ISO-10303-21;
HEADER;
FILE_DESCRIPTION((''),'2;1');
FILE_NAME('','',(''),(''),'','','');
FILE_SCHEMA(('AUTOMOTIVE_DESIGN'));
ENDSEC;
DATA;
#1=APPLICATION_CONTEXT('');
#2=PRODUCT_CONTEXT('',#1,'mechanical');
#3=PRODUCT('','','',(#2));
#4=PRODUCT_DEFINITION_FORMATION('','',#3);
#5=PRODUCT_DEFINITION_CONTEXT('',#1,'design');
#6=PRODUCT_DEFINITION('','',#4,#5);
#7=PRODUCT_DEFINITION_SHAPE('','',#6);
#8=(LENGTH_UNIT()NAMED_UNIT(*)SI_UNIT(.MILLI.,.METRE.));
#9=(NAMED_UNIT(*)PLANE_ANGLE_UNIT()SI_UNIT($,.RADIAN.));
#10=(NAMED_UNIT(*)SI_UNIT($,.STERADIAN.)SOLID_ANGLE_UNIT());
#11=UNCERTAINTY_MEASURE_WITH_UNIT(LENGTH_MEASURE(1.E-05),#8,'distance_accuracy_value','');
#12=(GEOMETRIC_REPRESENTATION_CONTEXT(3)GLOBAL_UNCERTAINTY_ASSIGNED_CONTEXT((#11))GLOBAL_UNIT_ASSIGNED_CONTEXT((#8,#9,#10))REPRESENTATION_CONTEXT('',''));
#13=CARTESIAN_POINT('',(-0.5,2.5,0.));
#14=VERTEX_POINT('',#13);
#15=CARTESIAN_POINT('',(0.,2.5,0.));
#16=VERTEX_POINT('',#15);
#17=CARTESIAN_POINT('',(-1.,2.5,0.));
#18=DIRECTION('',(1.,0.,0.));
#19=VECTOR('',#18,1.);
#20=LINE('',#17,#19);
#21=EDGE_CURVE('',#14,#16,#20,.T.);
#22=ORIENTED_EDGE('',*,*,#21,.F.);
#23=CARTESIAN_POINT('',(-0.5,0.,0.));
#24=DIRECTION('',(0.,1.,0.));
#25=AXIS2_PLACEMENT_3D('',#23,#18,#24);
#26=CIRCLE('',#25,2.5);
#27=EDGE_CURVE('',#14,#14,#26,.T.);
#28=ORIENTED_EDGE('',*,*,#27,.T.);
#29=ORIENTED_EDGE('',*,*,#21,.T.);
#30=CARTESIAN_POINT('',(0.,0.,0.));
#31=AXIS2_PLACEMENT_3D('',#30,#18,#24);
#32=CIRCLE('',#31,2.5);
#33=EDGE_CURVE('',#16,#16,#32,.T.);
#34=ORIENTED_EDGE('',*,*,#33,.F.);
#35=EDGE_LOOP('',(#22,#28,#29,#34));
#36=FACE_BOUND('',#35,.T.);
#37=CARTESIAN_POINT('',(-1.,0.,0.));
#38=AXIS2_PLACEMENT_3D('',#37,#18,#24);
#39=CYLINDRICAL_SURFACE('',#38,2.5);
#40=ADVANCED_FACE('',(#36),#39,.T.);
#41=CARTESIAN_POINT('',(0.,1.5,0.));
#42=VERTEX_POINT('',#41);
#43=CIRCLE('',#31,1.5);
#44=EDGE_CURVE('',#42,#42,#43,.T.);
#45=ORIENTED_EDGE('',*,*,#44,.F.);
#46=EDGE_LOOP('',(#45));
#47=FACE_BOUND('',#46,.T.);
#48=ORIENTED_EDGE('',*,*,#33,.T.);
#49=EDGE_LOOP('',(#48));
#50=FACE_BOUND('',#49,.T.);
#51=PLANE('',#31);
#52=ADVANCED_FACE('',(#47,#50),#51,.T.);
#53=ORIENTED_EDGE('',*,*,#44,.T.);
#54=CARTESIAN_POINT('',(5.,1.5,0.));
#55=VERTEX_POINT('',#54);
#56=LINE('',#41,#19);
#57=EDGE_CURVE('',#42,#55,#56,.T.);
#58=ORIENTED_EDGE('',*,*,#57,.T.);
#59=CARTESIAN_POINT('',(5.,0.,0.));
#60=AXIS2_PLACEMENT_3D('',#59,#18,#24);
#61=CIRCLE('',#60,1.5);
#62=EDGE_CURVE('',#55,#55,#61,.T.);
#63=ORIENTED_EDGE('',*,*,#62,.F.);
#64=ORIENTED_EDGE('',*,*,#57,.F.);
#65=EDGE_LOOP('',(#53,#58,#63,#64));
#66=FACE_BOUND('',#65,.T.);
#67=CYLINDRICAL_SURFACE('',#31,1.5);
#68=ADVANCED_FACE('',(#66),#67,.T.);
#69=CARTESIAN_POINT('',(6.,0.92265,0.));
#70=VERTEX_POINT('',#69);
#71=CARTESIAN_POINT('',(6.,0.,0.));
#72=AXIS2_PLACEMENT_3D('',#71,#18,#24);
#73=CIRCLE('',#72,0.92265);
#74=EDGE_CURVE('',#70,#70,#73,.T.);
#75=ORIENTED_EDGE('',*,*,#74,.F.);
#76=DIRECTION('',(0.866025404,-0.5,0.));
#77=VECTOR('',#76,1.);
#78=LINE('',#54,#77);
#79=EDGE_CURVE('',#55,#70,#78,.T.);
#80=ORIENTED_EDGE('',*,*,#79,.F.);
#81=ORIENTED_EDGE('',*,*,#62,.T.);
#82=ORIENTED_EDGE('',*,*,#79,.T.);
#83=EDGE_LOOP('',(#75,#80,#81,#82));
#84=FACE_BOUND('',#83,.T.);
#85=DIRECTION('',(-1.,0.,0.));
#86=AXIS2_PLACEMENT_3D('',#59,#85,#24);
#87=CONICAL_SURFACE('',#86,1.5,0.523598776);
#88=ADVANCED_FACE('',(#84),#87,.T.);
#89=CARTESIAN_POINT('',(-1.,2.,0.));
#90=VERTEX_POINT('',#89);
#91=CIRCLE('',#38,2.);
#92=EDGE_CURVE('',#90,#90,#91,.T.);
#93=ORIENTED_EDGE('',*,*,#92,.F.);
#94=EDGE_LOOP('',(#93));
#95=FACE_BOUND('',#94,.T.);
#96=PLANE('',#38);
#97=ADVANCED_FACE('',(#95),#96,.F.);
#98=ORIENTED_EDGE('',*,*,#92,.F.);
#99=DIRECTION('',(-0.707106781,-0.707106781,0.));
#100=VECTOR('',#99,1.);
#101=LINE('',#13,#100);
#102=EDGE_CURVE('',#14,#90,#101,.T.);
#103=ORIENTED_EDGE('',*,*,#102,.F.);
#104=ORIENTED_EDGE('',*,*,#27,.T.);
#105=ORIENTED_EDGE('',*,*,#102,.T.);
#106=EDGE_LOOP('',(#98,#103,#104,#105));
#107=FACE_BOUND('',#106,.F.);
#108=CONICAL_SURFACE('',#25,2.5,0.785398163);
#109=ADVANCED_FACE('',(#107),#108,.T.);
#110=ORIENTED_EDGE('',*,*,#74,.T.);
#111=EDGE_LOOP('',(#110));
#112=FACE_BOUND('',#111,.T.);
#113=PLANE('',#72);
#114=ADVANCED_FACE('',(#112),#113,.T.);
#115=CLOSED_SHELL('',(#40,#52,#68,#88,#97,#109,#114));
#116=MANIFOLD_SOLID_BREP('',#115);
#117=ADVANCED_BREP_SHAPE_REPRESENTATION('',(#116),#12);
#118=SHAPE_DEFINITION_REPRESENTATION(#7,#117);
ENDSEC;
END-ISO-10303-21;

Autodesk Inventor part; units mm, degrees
ref_plane "YZ Plane" through (0, 0, 0) normal (1, 0, 0) x (0, 1, 0)
ref_plane "XZ Plane" through (0, 0, 0) normal (0, 1, 0) x (-1, 0, 0)
ref_plane "XY Plane" through (0, 0, 0) normal (0, 0, 1) x (1, 0, 0)
sketch "Skizze1" plane through (0, 0, 0) normal (0, 0, 1) x (1, 0, 0)
  line L0 (-1, 0) -> (-1, 2.5)
  line L1 (-1, 2.5) -> (0, 2.5)
  line L2 (0, 2.5) -> (0, 1.5)
  line L3 (0, 1.5) -> (6, 1.5)
  line L4 (6, 1.5) -> (6, 0)
  line L5 (-1, 0) -> (6, 0)
  line L6 (-4, 0) -> (17, 0) projected
  line L7 (0, -0.5) -> (0, 3) projected
  dimension "d0" = 1
  dimension "d1" = 6
  dimension "d2" = 3
  dimension "d3" = 5
revolve "Körper" add sketch "Skizze1" angle 360 about axis through (-1, 0, 0) along (1, 0, 0)
chamfer "Fase1" distance 1 angle 30 1 edges at (6, -1.5, 0) measured on face at (2, 1.4806, -0.2406)
chamfer "Fase2" distance 0.5 angle 45 1 edges at (-1, -2.5, 0) measured on face at (-0.6667, 2.4919, -0.2012)
equation "\"d0\" = KOH"
equation "\"d1\" = NLG"
equation "\"d2\" = NND"
equation "\"d3\" = KOD"
equation "\"d7\" = PHH1"
equation "\"d8\" = FAWI1"
equation "\"d12\" = PHH1"
equation "\"d4\" = PHH2"
equation "\"d6\" = FAWI2"
equation "\"d13\" = PHH2"
equation "\"NLG\" = 6"
equation "\"KOH\" = 1"
equation "\"KOD\" = 5"
equation "\"NND\" = 3"
equation "\"FAWI1\" = 30deg"
equation "\"FAWI2\" = 45deg"
equation "\"PHH2\" = 0.5"
equation "\"PHH1\" = 1"
properties part number "ISO 2341 - A - 3 x 6" material "Stahl"
